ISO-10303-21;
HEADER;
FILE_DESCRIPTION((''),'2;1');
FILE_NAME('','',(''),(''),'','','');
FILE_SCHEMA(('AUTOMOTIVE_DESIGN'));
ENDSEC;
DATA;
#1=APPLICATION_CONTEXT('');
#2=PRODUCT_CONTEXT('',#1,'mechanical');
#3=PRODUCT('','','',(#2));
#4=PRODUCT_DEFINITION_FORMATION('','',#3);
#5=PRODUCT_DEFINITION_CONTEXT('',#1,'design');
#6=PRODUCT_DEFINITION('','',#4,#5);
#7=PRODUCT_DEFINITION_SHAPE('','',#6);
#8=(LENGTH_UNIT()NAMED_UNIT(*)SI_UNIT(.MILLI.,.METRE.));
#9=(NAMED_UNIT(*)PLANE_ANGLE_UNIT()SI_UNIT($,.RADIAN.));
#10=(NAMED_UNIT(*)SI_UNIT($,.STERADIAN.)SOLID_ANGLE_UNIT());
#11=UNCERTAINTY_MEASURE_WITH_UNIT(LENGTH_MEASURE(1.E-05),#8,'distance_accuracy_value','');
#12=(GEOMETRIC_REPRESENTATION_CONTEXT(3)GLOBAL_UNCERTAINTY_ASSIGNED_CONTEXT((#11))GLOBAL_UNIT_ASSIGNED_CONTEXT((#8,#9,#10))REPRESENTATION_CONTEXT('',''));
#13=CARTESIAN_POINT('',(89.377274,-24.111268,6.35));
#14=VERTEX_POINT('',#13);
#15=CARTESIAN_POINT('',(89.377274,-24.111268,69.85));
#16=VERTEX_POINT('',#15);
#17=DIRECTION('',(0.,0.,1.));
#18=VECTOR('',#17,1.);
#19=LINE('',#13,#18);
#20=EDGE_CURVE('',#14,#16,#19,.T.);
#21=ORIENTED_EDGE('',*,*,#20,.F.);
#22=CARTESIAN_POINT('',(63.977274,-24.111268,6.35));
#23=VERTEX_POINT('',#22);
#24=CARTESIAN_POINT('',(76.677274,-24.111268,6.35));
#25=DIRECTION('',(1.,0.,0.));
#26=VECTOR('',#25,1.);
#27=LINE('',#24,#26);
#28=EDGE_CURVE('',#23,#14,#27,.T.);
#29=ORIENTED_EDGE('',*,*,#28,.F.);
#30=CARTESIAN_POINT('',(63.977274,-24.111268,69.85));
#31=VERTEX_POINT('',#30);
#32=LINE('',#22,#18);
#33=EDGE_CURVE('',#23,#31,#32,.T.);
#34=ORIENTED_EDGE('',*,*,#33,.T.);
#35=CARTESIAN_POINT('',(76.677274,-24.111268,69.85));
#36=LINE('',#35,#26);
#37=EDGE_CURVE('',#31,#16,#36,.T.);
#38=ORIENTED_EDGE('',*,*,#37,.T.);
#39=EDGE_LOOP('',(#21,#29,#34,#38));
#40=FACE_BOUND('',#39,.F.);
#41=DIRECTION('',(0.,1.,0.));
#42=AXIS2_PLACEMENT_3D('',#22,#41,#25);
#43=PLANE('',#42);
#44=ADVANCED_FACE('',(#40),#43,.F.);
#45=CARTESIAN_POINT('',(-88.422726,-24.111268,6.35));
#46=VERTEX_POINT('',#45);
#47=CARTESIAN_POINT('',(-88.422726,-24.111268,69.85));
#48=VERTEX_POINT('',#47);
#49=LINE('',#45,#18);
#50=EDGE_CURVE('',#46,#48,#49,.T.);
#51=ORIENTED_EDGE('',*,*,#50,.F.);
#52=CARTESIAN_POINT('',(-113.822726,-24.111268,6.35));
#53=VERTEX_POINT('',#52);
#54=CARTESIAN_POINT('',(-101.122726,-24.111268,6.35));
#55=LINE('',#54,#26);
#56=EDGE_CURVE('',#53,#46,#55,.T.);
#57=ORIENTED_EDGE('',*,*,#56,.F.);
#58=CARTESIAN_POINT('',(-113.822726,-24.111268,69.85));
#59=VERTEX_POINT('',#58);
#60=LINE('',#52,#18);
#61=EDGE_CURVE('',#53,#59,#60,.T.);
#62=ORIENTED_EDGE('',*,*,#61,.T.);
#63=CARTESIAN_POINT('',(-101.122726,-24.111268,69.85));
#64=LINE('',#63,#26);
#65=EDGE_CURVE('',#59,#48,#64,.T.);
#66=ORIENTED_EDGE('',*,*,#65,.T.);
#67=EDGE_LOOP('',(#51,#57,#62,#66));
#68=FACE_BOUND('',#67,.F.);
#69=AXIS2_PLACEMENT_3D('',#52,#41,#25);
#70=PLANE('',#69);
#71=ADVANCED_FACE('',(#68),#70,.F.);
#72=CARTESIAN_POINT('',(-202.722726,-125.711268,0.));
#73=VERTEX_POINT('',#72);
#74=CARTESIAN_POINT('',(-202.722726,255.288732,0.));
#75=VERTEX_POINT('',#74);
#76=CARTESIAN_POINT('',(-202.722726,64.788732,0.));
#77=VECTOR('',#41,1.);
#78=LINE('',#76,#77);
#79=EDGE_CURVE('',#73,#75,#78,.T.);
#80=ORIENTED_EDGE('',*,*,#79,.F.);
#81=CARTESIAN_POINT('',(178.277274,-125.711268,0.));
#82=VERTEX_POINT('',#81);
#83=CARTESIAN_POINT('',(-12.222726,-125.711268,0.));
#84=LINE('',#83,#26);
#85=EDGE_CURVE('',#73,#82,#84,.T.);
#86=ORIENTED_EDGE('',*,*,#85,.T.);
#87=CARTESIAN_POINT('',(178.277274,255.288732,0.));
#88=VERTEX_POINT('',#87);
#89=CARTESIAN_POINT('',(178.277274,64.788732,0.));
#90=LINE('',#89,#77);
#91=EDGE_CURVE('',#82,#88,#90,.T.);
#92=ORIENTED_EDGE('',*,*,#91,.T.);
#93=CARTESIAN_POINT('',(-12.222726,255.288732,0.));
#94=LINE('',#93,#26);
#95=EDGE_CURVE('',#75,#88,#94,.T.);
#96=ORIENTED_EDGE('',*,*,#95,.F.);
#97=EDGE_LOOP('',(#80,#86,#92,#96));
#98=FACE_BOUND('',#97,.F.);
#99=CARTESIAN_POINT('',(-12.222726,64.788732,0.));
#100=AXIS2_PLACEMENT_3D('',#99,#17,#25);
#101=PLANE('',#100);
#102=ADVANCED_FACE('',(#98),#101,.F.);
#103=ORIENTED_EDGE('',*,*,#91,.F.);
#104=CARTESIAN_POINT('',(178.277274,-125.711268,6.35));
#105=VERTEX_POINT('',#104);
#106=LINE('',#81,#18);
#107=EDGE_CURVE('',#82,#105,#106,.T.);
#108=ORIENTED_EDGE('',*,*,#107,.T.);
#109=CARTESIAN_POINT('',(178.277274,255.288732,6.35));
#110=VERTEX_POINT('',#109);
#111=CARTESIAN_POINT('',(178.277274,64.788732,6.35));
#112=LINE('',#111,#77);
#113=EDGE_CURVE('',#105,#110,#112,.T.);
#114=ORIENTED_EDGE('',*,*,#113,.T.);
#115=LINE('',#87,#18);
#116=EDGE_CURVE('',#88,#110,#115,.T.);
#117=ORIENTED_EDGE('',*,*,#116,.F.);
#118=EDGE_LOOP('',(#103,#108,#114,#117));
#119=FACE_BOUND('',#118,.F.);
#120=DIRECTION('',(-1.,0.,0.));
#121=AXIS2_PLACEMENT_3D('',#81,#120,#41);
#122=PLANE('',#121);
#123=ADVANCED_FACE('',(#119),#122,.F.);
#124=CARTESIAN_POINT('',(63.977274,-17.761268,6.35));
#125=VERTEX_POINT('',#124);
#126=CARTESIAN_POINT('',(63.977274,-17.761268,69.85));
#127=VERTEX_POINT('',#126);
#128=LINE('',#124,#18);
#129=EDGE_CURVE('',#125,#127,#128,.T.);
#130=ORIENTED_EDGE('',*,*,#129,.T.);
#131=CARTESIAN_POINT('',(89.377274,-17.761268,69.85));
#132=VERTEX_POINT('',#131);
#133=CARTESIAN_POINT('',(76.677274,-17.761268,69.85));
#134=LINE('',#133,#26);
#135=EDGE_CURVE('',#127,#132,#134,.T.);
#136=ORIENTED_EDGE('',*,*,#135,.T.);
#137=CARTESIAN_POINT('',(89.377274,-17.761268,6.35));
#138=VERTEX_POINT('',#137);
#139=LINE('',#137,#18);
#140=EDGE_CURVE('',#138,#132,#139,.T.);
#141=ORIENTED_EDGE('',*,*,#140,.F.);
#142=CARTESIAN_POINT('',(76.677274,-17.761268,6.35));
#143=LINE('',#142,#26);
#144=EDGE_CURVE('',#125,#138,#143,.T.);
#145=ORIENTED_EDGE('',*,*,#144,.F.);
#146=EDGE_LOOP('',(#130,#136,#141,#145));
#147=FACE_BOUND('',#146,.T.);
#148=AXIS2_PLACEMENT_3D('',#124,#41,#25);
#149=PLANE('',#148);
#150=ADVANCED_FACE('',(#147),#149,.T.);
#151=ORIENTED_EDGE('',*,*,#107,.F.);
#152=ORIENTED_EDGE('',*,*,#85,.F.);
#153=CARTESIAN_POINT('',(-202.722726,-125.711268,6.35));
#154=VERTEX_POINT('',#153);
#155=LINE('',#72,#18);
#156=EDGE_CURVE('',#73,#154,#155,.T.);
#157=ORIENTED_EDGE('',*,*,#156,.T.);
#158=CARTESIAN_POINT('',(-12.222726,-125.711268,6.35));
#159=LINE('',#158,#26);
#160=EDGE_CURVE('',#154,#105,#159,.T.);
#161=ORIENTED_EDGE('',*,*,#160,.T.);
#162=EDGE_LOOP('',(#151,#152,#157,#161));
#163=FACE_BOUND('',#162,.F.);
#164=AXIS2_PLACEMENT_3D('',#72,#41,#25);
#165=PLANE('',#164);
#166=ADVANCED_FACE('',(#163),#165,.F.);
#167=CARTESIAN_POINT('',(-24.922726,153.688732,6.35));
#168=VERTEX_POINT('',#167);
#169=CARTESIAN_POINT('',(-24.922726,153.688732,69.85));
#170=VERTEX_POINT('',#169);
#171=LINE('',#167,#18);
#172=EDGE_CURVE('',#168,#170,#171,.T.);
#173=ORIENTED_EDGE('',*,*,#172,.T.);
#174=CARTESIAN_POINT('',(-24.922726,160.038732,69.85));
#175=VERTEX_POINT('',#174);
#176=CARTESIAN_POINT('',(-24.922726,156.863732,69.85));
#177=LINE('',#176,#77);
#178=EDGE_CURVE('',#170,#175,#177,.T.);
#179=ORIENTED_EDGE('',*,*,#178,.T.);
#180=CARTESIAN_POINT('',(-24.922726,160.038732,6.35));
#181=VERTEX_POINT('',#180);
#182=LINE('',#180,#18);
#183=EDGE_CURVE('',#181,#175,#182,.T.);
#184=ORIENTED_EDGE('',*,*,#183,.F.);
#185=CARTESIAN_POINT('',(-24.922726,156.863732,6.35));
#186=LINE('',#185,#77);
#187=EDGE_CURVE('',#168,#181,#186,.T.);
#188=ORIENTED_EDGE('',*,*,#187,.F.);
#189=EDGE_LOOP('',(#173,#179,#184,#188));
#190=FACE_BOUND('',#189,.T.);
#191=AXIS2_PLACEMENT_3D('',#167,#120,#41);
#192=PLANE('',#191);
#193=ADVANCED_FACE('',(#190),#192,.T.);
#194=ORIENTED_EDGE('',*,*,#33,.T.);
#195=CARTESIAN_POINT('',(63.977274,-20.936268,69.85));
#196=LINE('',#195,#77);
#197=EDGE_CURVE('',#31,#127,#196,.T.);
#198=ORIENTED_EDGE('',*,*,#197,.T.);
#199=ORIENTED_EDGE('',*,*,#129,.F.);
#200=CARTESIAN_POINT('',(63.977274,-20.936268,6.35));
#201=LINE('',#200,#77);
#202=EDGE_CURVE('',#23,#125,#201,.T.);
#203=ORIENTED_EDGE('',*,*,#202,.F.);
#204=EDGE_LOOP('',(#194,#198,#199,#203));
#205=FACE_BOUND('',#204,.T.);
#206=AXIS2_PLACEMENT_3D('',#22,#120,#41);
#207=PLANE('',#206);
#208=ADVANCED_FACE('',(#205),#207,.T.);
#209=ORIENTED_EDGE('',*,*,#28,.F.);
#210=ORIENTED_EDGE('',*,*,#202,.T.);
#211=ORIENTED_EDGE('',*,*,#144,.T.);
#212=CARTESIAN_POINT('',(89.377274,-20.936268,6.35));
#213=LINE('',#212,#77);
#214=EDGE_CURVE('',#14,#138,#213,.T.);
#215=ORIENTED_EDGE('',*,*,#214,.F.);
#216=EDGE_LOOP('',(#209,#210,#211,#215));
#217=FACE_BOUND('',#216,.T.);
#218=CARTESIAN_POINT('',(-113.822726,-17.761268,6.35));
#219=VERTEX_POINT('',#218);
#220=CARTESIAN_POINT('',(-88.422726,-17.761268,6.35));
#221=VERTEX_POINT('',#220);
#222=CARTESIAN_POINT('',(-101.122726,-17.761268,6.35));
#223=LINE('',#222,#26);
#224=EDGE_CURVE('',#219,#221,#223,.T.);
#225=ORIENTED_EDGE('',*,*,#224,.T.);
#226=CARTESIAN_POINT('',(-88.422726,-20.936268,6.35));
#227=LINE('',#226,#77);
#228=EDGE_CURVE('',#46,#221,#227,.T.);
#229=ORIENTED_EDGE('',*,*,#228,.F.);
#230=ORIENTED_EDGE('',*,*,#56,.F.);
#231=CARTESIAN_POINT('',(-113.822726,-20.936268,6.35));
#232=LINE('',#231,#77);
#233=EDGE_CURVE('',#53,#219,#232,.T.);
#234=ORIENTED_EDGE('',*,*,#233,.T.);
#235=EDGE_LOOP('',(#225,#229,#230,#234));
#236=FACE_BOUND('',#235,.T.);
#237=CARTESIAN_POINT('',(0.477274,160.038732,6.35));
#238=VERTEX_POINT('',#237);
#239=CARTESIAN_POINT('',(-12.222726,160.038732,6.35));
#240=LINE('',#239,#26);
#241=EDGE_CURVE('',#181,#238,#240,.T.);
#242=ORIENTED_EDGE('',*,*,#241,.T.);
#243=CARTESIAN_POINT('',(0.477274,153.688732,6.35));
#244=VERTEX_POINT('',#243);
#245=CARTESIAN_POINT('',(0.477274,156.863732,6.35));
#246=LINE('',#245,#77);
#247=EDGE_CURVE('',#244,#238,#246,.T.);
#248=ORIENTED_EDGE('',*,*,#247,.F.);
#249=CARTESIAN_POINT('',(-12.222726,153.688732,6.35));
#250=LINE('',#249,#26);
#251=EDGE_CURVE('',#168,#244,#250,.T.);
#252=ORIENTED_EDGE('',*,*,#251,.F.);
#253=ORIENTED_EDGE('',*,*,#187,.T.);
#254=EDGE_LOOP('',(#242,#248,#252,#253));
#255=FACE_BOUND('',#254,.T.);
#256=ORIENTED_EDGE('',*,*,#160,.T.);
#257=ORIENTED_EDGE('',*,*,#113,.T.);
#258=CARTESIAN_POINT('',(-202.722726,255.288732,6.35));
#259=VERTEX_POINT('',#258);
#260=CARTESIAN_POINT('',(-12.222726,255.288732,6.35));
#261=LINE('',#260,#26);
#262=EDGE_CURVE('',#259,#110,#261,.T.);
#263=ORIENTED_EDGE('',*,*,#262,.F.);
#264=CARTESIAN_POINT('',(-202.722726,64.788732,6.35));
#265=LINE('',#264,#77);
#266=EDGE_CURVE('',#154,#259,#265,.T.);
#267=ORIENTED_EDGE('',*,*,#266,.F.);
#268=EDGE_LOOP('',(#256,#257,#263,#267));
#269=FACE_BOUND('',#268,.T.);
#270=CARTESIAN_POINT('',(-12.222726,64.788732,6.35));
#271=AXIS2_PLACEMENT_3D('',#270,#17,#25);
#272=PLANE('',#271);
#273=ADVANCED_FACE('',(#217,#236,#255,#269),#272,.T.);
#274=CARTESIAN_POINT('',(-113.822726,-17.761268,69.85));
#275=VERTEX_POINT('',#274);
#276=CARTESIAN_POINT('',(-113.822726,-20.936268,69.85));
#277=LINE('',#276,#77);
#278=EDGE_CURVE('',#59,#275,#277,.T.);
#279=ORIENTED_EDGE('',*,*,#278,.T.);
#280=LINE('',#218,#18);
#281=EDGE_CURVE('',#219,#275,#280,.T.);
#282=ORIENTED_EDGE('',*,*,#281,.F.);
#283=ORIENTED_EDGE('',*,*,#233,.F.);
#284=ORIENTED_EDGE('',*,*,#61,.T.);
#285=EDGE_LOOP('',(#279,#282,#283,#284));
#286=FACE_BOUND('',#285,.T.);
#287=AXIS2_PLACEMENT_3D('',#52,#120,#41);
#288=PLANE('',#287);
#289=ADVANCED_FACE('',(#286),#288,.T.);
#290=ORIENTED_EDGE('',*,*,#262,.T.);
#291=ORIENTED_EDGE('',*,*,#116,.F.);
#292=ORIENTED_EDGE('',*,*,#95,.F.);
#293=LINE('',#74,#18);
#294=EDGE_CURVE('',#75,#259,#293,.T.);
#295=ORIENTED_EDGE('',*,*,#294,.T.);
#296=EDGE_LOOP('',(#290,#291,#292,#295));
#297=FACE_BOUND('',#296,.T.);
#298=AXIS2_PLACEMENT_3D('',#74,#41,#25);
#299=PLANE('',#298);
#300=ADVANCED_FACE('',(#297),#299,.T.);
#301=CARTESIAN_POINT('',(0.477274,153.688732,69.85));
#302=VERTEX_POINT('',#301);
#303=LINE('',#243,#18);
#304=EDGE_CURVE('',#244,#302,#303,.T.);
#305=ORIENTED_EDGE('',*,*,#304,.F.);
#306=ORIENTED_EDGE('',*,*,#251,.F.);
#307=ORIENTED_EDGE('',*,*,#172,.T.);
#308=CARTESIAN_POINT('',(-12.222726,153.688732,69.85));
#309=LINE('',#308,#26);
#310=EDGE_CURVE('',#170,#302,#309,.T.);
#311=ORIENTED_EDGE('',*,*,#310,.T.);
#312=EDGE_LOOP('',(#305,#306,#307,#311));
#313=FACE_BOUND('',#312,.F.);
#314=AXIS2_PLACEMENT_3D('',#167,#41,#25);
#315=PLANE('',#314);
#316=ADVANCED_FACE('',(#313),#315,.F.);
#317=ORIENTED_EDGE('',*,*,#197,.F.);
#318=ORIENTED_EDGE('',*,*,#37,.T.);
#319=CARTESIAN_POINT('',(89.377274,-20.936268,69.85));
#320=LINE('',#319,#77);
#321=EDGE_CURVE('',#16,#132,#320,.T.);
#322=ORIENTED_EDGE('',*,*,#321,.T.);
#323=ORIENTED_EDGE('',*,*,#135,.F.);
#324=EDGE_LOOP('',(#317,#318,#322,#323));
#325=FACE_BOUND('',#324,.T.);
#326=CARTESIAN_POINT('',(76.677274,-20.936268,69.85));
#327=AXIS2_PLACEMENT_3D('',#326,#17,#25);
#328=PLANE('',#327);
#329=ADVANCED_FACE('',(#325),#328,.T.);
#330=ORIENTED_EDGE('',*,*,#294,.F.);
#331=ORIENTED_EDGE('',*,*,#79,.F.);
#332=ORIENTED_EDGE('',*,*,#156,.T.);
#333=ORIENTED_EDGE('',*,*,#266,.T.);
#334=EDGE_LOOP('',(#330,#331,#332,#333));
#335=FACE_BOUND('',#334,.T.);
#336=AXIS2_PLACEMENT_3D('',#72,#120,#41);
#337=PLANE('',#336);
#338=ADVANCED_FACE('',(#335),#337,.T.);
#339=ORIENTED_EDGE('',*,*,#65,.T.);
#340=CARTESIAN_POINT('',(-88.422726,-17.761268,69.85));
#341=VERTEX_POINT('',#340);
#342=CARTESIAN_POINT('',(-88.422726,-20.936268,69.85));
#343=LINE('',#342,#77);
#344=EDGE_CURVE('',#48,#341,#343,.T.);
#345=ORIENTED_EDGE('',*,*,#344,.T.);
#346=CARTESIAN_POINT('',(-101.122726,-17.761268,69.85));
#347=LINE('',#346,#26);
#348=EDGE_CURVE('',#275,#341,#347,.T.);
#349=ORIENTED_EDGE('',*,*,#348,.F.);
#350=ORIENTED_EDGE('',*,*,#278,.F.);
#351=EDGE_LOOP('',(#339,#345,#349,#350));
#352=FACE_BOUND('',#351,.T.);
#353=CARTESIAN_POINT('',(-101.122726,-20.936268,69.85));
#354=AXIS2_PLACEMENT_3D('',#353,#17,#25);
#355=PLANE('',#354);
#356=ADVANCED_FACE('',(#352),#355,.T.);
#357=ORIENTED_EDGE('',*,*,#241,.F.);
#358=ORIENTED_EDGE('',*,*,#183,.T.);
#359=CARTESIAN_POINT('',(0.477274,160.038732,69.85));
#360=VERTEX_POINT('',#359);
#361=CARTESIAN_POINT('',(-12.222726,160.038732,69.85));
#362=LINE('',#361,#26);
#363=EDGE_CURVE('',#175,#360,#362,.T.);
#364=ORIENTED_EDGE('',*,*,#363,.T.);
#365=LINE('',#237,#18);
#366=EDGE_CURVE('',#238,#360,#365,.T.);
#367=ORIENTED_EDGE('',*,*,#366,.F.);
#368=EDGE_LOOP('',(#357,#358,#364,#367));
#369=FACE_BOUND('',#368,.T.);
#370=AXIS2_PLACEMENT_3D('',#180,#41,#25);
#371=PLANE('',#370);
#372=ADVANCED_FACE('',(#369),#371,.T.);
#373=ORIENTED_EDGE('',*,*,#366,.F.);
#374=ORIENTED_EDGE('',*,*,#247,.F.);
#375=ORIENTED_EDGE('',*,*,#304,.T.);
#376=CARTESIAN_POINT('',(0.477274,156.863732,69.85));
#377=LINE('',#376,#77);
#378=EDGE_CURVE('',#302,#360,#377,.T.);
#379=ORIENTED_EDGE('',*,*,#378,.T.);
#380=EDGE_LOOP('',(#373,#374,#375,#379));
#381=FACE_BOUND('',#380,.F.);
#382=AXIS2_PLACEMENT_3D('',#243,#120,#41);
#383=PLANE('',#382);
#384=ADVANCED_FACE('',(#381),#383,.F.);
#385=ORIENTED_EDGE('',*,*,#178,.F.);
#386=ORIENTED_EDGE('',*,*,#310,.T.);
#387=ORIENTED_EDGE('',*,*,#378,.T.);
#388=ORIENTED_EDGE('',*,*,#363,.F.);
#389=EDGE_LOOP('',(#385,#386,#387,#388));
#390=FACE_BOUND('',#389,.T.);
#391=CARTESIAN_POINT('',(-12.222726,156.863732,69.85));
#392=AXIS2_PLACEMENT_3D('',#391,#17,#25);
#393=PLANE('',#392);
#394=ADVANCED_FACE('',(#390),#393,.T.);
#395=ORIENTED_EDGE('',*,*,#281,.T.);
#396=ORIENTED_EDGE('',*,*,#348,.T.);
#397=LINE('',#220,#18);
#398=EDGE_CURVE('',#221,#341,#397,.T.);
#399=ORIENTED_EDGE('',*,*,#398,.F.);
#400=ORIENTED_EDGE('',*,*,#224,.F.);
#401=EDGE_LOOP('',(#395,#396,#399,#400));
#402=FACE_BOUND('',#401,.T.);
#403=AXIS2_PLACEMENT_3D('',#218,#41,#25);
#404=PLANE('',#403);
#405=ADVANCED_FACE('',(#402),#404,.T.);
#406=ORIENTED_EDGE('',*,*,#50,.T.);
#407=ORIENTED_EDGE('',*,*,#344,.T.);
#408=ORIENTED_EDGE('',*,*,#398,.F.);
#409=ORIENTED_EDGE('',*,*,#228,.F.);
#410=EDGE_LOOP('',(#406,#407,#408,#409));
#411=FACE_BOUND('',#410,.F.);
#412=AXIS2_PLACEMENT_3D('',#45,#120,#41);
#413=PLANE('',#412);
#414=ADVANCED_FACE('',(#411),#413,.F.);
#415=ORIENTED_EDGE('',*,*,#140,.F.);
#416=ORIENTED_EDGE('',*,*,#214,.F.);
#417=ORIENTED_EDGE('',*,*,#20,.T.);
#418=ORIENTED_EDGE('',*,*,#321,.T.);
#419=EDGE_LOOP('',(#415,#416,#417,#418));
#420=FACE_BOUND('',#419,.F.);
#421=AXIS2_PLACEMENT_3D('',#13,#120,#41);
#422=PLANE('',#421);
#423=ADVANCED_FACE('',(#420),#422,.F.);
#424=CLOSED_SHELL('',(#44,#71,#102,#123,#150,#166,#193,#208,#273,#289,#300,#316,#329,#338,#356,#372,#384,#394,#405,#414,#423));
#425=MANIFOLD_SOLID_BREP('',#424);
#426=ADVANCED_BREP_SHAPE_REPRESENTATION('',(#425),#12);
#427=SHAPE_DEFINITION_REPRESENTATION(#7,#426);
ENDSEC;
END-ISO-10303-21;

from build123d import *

# Parameters (mm, degrees)
F0_W     = 381
F0_H     = 381
F1_DEPTH = 6.35
F2_W     = 25.4
F2_H     = 6.35
F3_DEPTH = 63.5


with BuildPart() as f1:
    # F0 (on Top) → F1 (new body)
    with BuildSketch(Plane.XY):
        with Locations((-12.222726, 64.788732)):
            Rectangle(F0_W, F0_H)
    extrude(amount=F1_DEPTH)

    # F2 (on face) → F3 (join)
    with BuildSketch(Plane.XY.offset(6.35)):
        with Locations((-12.222726, 156.863732)):
            Rectangle(F2_W, F2_H)
        with Locations((76.677274, -20.936268)):
            Rectangle(F2_W, F2_H)
        with Locations((-101.122726, -20.936268)):
            Rectangle(F2_W, F2_H)
    extrude(amount=F3_DEPTH)


solid = f1.part
